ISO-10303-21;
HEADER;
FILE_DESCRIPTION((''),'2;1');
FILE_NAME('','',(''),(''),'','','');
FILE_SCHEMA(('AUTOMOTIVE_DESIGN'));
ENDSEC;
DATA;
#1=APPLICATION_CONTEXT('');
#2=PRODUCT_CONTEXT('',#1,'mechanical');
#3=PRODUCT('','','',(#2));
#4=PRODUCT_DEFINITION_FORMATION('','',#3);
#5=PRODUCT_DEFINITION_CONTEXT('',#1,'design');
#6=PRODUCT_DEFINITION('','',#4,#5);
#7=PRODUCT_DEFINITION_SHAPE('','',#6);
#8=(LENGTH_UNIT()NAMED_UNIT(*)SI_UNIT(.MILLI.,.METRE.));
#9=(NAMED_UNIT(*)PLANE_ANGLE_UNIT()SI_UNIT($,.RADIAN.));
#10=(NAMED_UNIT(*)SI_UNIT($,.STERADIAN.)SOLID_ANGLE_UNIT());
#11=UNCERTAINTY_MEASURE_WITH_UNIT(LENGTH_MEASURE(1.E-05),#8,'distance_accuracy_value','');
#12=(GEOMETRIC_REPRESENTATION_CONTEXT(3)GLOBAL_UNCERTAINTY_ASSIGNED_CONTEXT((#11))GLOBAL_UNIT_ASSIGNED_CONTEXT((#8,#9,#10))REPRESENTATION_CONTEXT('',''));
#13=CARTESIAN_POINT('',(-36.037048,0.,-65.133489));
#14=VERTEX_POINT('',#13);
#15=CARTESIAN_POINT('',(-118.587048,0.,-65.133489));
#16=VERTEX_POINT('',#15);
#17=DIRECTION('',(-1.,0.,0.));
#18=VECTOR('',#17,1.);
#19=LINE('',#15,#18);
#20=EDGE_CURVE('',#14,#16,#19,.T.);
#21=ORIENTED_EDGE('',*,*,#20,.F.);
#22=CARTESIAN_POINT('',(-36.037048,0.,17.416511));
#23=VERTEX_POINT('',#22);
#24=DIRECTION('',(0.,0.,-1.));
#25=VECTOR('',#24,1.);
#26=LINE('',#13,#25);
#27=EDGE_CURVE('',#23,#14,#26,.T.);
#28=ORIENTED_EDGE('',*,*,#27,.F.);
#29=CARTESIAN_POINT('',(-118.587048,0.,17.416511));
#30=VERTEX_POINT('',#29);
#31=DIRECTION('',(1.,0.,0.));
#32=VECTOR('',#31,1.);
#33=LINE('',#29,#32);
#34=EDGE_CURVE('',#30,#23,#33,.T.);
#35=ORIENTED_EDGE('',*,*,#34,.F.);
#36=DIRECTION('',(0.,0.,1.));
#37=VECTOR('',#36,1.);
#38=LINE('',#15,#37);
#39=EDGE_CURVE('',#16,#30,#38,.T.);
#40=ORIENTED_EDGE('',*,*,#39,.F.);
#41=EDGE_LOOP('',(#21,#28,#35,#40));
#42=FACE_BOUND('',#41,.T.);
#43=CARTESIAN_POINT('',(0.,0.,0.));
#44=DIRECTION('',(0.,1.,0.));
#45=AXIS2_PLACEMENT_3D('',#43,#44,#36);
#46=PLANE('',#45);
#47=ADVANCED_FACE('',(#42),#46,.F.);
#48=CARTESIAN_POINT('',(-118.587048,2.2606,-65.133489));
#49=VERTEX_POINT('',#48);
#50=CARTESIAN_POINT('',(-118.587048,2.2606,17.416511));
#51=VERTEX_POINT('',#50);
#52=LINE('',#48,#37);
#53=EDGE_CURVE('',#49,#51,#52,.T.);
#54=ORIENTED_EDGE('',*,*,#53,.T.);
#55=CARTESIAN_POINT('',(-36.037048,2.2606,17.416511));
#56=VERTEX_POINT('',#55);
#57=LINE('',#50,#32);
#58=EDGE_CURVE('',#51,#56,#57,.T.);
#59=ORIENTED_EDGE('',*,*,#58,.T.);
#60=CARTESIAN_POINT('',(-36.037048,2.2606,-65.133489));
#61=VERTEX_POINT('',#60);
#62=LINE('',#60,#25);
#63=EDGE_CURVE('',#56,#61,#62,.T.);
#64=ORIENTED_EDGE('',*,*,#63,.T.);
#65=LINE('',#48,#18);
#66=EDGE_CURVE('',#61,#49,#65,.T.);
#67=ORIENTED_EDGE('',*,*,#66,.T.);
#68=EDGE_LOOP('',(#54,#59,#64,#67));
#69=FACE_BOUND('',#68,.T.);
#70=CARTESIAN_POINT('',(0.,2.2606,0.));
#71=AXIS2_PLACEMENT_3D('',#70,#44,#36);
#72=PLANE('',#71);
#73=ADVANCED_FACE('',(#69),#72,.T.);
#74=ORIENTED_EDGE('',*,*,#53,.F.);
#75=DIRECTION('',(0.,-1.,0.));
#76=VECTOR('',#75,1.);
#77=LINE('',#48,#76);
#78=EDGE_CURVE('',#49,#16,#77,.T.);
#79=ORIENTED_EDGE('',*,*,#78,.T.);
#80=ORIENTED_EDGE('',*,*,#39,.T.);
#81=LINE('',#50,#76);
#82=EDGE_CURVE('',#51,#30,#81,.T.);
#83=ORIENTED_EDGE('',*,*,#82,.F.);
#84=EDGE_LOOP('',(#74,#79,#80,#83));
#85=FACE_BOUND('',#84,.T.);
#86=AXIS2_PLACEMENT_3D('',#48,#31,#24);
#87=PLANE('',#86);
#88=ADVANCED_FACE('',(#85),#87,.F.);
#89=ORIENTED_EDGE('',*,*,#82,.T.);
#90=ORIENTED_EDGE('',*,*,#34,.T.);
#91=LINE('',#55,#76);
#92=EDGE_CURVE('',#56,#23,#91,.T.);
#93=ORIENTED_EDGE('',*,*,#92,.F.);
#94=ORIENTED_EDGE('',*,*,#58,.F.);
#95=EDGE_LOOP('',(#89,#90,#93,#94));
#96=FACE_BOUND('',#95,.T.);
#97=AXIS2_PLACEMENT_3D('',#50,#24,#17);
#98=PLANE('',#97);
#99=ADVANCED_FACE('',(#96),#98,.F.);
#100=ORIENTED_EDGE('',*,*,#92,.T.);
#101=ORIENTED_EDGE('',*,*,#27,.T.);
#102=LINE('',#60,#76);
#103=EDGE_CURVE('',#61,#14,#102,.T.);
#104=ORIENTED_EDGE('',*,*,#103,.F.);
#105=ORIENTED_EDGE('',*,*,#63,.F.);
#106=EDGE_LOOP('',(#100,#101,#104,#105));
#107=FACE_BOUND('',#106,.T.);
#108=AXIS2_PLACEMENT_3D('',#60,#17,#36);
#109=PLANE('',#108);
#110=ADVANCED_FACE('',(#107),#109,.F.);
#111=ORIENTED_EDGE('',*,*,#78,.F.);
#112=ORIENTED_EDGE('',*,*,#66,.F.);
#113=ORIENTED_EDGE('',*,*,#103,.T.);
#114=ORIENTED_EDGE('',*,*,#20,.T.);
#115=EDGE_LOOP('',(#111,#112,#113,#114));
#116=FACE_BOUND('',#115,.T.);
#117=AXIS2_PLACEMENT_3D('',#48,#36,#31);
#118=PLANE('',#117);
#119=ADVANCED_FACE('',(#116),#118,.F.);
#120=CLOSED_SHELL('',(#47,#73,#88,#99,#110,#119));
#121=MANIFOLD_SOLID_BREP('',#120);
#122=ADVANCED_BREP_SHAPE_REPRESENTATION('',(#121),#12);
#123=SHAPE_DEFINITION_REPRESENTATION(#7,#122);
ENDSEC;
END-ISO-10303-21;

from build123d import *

# Parameters (mm, degrees)
SKETCH2_W           = 82.55
SKETCH2_H           = 82.55
BOSS_EXTRUDE1_DEPTH = 2.2606


with BuildPart() as part:
    # Sketch2 → Boss-Extrude1 (new body)
    with BuildSketch(Plane(origin=(0, 0, 0), x_dir=(1, 0, 0), z_dir=(0, 1, 0))):
        with Locations((-77.312048433, 23.858489416)):
            Rectangle(SKETCH2_W, SKETCH2_H)
    extrude(amount=BOSS_EXTRUDE1_DEPTH)


solid = part.part
